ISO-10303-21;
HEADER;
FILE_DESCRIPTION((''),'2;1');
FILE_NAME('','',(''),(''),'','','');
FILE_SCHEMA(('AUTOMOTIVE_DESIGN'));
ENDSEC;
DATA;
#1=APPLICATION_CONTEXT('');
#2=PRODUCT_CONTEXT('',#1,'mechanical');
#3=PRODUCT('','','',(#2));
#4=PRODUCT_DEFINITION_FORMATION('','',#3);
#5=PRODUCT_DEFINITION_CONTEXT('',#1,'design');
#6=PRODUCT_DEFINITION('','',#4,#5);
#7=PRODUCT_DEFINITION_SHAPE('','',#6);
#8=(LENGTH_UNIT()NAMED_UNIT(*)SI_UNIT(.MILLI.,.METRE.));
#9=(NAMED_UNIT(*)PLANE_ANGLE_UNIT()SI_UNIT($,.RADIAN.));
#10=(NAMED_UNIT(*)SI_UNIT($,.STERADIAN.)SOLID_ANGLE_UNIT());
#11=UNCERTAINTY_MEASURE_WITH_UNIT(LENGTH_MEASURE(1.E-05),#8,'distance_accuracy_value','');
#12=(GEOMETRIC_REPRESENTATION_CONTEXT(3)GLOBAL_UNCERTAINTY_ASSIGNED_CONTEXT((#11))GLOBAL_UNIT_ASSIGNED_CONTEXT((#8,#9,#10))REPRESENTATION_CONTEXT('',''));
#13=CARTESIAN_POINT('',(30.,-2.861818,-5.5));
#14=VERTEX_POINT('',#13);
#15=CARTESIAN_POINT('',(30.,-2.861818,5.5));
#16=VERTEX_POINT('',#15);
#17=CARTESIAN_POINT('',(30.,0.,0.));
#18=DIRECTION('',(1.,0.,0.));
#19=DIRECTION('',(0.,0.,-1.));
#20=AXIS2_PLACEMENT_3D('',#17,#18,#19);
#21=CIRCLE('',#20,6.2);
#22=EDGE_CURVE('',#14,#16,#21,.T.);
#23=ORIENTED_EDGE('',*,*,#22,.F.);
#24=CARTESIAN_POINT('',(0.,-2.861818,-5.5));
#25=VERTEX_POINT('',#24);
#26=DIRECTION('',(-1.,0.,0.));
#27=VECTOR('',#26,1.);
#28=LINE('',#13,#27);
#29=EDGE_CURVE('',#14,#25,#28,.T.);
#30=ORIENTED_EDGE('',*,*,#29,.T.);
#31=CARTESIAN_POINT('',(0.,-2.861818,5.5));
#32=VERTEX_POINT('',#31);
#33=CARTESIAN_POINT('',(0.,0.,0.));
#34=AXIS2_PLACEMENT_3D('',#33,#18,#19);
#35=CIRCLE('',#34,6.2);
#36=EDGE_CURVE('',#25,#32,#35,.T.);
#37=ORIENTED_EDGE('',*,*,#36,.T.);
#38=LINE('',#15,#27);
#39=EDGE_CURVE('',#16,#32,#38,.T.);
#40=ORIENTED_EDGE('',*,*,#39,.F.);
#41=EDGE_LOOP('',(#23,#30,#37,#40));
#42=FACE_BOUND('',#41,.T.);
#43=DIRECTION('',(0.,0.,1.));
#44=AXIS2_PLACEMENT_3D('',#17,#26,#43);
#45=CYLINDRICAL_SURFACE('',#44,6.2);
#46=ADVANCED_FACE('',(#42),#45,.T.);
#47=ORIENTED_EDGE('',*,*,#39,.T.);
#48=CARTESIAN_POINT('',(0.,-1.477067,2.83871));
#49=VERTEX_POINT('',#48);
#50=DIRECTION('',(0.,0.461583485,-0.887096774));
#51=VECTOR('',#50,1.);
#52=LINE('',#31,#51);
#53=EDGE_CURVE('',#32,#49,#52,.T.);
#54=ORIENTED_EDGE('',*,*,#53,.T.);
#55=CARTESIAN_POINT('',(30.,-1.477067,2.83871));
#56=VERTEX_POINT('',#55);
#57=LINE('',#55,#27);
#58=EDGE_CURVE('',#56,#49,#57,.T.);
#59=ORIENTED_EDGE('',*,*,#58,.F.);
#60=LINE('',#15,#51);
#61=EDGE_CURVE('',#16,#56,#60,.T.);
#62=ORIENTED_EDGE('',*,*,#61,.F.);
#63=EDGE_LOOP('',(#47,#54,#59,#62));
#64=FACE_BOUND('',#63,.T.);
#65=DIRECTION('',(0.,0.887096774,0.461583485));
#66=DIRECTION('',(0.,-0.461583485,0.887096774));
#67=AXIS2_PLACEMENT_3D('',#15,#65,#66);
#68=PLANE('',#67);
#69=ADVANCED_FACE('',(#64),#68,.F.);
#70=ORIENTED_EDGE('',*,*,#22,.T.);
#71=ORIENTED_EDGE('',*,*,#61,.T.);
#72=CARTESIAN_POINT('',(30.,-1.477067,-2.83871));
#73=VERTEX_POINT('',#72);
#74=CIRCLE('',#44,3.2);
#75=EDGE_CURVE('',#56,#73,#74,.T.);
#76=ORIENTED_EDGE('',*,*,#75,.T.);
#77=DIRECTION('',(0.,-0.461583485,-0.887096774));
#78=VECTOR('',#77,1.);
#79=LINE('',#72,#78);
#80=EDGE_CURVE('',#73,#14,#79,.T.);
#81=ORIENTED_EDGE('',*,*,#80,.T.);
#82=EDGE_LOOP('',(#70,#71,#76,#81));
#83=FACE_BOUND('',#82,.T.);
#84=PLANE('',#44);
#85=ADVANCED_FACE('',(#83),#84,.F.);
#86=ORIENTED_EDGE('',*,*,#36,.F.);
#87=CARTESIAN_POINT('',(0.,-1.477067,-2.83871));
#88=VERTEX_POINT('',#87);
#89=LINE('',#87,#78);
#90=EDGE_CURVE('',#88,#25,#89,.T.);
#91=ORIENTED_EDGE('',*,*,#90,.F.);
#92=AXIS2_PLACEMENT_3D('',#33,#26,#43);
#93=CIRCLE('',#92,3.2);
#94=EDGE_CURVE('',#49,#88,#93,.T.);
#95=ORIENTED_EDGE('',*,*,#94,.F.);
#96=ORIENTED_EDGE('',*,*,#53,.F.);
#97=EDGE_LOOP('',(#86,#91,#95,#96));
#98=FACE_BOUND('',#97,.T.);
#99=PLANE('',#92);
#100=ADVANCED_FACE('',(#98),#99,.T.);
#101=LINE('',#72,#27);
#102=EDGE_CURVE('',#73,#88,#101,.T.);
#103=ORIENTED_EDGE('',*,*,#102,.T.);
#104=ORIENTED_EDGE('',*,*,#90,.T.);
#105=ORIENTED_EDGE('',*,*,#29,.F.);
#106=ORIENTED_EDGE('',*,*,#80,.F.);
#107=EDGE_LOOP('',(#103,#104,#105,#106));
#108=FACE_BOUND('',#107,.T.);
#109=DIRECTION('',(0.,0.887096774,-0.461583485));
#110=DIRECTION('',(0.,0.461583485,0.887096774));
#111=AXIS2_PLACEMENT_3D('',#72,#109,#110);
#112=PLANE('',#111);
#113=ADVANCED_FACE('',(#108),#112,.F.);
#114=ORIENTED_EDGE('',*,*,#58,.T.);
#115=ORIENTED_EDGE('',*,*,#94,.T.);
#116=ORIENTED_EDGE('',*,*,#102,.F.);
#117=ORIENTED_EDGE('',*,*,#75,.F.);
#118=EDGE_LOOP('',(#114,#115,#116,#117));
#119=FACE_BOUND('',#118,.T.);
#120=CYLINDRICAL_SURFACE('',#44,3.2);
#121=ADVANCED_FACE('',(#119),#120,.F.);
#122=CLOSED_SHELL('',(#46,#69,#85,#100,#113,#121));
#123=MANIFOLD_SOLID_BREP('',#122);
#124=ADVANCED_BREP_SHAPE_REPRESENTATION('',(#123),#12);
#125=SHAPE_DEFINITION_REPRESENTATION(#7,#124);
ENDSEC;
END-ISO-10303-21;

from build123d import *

# Parameters (mm, degrees)
BOSS_EXTRUDE1_DEPTH = 30


with BuildPart() as part:
    # Sketch1 → Boss-Extrude1 (new body)
    with BuildSketch(Plane(origin=(0, 0, 0), x_dir=(0, 0, -1), z_dir=(1, 0, 0))):
        with BuildLine():
            Line((-5.5, -2.861817604), (-2.838709677, -1.477067151))
            ThreePointArc((-2.838709677, -1.477067151), (0, 3.2), (2.838709677, -1.477067151))
            Line((2.838709677, -1.477067151), (5.5, -2.861817604))
            ThreePointArc((5.5, -2.861817604), (0, 6.2), (-5.5, -2.861817604))
        make_face()
    extrude(amount=BOSS_EXTRUDE1_DEPTH)


solid = part.part
